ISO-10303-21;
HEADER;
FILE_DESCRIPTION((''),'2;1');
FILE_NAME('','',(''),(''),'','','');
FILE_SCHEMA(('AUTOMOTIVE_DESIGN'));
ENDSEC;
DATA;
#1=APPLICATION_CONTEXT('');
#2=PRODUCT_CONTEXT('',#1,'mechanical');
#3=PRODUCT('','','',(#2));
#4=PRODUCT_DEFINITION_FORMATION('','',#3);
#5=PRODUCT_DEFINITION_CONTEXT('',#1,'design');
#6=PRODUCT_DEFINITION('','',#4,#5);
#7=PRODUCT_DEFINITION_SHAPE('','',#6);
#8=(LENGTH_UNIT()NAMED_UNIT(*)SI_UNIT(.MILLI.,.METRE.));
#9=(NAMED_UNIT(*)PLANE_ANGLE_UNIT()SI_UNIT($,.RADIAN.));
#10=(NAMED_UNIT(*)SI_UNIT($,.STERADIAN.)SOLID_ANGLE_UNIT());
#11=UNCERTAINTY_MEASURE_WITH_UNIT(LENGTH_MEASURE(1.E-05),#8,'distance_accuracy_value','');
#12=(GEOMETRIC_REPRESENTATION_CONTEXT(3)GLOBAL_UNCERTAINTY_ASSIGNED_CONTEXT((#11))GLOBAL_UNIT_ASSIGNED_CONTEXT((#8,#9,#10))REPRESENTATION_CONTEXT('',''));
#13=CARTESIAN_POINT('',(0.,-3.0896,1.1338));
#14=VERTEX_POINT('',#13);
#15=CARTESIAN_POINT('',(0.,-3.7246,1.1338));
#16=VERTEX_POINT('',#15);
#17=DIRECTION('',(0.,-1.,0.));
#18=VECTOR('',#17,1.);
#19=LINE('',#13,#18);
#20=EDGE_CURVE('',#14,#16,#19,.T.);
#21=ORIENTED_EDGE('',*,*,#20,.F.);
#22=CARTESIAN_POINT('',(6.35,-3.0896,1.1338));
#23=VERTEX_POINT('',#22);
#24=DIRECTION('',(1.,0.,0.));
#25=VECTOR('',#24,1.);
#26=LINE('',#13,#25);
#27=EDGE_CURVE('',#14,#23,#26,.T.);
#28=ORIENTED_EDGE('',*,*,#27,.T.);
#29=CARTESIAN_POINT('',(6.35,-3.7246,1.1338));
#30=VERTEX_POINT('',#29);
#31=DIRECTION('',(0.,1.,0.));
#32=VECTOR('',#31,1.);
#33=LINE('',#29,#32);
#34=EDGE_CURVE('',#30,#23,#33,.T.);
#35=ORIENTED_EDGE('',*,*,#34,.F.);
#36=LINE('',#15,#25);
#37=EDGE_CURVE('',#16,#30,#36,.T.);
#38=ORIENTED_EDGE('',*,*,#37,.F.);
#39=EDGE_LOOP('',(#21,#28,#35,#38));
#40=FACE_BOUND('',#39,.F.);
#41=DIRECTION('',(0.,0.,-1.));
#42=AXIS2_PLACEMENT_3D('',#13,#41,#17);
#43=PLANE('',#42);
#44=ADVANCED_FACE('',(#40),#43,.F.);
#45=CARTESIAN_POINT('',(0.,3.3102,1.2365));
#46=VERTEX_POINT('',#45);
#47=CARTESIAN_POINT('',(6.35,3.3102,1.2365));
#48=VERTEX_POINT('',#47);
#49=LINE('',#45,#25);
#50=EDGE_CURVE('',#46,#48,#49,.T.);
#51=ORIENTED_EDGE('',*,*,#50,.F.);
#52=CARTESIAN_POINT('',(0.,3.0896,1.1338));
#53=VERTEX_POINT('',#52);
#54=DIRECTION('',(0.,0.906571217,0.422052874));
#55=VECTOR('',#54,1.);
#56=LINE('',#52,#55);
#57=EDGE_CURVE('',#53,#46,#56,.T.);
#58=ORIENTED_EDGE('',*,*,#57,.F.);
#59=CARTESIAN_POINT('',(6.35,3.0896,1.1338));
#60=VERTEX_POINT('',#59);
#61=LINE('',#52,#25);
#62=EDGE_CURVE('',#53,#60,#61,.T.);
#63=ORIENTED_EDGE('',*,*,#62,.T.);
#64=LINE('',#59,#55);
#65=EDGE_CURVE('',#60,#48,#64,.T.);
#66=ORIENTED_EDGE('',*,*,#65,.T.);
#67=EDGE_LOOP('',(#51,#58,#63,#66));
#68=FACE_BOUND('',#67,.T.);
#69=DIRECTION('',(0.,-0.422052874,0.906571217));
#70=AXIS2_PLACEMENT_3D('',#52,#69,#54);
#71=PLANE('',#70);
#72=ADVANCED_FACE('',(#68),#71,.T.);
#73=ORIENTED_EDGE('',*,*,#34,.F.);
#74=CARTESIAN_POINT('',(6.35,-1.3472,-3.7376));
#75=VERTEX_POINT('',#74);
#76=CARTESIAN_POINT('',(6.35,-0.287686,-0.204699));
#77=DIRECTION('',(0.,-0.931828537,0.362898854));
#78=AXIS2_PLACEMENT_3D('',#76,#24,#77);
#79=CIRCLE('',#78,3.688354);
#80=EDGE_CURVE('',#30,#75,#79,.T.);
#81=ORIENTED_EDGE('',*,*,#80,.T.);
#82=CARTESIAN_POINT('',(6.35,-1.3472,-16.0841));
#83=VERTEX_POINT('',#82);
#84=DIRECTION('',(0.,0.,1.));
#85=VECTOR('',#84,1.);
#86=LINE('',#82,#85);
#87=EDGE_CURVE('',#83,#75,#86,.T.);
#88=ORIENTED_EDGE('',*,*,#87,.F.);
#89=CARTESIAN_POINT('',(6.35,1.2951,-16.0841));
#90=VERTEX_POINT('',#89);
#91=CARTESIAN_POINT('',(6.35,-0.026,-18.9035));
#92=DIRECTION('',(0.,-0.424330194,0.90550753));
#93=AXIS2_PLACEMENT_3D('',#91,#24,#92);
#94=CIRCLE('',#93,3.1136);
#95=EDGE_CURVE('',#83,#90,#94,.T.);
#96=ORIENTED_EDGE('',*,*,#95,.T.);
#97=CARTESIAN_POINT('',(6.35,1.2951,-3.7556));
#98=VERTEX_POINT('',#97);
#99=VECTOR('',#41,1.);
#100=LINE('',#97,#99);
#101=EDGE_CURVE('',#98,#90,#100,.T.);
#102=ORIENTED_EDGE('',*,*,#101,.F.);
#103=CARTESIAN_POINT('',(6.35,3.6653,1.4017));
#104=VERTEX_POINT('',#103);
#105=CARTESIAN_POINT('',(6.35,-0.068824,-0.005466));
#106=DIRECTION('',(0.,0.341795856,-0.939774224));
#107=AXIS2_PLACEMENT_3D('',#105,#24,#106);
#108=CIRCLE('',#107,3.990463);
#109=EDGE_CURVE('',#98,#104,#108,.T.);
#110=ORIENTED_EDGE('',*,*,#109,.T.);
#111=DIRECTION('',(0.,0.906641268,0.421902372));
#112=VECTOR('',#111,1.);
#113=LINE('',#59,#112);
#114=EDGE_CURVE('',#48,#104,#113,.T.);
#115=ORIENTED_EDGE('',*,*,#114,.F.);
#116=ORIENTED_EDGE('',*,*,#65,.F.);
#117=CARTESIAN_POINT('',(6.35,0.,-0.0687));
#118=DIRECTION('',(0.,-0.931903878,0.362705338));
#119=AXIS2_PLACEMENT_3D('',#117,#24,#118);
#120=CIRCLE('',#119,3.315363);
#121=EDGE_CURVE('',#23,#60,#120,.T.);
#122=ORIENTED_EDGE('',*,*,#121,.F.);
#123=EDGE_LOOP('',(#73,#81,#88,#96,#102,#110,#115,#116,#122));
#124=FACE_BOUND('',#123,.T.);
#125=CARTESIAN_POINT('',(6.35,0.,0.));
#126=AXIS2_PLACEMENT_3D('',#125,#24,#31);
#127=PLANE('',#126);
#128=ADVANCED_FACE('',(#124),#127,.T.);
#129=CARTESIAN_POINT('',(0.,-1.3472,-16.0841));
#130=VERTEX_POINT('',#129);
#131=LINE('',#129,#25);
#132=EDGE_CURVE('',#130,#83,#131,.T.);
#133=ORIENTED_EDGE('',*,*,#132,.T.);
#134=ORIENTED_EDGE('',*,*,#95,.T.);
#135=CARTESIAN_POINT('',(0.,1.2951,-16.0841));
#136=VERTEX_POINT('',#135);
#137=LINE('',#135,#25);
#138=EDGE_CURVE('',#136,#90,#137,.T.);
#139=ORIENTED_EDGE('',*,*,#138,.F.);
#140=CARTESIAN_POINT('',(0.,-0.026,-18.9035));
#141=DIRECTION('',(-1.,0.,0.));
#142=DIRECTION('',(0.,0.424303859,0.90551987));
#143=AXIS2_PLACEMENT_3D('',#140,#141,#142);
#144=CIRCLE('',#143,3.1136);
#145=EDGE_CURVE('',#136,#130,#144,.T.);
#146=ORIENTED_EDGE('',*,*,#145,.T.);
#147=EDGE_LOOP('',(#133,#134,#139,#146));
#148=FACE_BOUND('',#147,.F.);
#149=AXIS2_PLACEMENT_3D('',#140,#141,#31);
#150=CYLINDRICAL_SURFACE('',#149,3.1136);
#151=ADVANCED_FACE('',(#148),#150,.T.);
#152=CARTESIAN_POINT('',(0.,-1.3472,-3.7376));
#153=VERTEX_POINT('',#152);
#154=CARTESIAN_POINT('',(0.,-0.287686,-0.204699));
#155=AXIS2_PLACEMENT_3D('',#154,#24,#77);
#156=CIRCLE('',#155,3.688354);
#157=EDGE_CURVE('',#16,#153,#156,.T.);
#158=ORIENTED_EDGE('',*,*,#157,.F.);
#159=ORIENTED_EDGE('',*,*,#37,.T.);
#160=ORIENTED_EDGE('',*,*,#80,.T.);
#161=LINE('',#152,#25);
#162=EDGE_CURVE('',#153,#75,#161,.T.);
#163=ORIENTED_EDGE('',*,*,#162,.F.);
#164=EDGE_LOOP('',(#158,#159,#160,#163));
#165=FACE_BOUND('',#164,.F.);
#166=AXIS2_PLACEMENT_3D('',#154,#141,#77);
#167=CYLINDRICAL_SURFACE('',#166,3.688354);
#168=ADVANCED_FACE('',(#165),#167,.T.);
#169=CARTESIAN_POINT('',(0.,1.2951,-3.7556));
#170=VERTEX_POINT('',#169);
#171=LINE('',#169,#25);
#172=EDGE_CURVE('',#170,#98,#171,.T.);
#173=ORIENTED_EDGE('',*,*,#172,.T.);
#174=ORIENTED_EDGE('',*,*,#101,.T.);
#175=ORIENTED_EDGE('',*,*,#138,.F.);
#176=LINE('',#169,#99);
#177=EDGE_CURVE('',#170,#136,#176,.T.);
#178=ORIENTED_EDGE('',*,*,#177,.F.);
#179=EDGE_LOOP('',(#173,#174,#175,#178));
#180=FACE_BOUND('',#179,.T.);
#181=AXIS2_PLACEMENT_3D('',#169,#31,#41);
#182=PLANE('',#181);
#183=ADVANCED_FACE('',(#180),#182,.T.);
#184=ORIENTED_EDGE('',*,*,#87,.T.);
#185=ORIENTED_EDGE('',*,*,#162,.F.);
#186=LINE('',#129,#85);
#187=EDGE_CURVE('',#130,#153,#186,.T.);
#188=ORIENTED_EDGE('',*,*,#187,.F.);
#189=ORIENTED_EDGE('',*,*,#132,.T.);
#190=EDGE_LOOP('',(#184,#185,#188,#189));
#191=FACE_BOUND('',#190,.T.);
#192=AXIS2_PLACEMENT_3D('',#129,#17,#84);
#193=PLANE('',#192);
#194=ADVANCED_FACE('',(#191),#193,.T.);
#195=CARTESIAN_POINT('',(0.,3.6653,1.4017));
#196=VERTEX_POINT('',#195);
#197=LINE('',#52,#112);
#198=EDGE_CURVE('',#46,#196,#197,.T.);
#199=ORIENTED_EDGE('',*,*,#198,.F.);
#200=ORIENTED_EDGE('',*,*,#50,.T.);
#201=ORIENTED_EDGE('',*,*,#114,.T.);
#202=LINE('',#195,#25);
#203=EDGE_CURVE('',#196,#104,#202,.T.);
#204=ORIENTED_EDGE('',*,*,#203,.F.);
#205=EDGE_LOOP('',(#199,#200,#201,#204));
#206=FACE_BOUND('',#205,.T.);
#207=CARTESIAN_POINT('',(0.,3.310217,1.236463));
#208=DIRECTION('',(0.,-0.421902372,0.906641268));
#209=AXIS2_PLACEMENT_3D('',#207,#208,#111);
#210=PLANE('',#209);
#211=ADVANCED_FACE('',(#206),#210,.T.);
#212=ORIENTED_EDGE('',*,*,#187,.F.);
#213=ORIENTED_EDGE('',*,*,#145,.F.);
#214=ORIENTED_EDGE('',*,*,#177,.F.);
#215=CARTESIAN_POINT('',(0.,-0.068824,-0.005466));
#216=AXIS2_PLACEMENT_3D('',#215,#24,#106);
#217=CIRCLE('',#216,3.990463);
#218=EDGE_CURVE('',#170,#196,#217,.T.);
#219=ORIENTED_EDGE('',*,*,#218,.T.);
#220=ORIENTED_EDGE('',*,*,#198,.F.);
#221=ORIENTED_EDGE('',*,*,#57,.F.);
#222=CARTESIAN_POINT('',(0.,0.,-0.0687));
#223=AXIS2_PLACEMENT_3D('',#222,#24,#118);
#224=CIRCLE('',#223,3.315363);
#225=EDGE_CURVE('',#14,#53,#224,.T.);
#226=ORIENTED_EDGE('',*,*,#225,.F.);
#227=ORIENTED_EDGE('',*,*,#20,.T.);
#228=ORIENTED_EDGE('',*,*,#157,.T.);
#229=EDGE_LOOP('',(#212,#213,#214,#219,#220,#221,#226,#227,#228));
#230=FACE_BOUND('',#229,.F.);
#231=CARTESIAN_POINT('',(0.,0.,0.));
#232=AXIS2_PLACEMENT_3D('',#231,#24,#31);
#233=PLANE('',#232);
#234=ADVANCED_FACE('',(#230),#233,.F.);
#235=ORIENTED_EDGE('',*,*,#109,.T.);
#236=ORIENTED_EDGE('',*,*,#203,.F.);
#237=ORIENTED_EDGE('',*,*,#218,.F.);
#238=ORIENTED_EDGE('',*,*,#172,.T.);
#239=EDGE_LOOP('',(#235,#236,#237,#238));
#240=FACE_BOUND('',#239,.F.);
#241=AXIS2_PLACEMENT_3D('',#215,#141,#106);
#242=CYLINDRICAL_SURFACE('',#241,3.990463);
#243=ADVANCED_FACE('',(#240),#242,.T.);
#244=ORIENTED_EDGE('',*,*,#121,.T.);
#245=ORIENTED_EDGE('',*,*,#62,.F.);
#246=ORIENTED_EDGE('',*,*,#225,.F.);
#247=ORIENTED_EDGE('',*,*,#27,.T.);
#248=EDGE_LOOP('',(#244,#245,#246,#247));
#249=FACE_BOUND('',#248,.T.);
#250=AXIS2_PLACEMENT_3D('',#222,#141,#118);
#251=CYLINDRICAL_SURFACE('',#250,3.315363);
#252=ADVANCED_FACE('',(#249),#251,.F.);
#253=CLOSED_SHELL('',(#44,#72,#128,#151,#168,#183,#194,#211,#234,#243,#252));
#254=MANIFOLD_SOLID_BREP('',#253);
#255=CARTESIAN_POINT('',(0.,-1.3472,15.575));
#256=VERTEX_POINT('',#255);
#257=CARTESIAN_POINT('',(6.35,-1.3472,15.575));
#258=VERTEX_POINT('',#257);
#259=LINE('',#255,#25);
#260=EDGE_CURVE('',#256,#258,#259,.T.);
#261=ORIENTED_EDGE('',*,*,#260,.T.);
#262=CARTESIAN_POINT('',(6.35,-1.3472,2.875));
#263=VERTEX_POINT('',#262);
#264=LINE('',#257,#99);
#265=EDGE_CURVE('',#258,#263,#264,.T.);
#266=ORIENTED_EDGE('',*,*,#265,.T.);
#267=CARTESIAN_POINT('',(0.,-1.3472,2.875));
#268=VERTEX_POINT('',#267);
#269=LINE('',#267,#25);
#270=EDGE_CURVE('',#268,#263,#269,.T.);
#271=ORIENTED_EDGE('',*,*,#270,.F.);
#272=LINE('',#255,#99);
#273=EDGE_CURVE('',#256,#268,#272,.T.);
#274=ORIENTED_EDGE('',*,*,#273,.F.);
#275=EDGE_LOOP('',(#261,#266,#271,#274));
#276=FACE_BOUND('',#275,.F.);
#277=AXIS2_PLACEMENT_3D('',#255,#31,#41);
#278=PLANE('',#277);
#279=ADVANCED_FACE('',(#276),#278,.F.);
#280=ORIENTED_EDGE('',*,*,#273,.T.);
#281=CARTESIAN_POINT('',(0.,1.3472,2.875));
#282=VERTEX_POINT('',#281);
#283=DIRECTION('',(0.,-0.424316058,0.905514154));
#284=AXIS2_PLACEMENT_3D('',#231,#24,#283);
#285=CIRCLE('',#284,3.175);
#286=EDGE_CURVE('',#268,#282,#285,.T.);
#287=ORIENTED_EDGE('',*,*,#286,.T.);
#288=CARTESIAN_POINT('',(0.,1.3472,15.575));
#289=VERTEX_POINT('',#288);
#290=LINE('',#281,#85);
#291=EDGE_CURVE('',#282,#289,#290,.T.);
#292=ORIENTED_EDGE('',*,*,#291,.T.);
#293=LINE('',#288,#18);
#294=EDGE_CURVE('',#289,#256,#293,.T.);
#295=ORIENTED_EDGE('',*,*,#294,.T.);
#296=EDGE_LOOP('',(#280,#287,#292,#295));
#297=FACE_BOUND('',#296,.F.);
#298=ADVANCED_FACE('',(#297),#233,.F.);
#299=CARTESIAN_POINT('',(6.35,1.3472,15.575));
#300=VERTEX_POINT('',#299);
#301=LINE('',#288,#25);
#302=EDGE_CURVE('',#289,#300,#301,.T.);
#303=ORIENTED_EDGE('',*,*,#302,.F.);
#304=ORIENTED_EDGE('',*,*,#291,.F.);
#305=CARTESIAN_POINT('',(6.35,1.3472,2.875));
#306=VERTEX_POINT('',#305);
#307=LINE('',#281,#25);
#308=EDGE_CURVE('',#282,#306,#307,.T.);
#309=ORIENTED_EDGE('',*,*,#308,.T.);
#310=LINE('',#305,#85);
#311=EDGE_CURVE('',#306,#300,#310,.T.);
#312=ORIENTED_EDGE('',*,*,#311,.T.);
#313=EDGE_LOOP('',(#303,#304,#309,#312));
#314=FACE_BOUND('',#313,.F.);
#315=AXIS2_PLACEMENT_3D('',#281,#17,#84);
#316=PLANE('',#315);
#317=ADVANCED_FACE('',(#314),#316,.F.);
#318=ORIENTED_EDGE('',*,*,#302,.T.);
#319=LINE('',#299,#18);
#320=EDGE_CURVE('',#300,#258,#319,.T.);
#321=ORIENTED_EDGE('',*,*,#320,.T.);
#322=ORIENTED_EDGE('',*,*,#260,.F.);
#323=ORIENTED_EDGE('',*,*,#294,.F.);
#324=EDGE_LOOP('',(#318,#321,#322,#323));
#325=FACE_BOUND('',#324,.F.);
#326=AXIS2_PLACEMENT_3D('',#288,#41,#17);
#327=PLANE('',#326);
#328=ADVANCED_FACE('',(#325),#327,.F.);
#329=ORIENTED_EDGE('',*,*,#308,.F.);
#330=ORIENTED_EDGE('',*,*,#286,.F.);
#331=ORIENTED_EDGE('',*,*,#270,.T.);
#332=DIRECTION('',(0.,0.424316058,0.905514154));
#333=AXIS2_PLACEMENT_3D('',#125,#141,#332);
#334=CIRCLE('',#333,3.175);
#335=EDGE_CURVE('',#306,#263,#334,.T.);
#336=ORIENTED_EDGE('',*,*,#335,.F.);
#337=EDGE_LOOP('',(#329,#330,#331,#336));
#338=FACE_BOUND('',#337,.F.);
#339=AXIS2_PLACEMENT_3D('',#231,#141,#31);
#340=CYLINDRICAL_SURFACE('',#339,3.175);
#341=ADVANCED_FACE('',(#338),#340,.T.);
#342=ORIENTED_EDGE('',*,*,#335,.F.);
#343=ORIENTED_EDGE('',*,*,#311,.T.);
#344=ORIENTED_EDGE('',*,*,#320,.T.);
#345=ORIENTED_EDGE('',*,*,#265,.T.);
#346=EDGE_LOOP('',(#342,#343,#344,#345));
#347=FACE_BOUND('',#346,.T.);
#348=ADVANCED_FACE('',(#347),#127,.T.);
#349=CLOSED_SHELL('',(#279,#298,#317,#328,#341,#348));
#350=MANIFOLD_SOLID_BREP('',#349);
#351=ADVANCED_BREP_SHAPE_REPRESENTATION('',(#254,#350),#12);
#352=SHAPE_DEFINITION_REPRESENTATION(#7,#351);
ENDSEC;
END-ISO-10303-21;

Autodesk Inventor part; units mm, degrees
ref_plane "YZ Plane" through (0, 0, 0) normal (1, 0, 0) x (0, 1, 0)
ref_plane "XZ Plane" through (0, 0, 0) normal (0, 1, 0) x (-1, 0, 0)
ref_plane "XY Plane" through (0, 0, 0) normal (0, 0, 1) x (1, 0, 0)
sketch "Sketch1" plane through (0, 0, 0) normal (1, 0, 0) x (0, 1, 0)
  circle A0 centre (0, 0) radius 3.175
  line L0 (1.3472, 2.875) -> (1.3472, 15.575)
  line L1 (1.3472, 15.575) -> (-1.3472, 15.575)
  line L2 (-1.3472, 15.575) -> (-1.3472, 2.875)
  arc A1 (1.3472, 2.875) -> (-1.3472, 2.875) centre (0, 0) ccw
  arc A2 (-3.0896, 1.1338) -> (3.0896, 1.1338) centre (0, -0.0687) ccw
  line L3 (-3.0896, 1.1338) -> (-3.3549, 1.1338)
  line L4 (3.0896, 1.1338) -> (3.3102, 1.2365)
  circle A3 centre (-0.026, -18.9035) radius 3.1136
  arc A4 (1.2951, -16.0841) -> (-1.3472, -16.0841) centre (-0.026, -18.9035) ccw
  line L5 (3.0896, 1.1338) -> (3.6653, 1.4017)
  line L6 (-3.0896, 1.1338) -> (-3.7246, 1.1338)
  arc A5 (-3.7246, 1.1338) -> (-1.3472, -3.7376) centre (-0.2877, -0.2047) ccw
  arc A6 (1.2951, -3.7556) -> (3.6653, 1.4017) centre (-0.0687, -0.0056) ccw
  line L7 (1.2951, -3.7556) -> (1.2951, -16.0841)
  line L8 (-1.3472, -16.0841) -> (-1.3472, -3.7376)
  dimension "d0" = 6.35
  dimension "d4" = 12.7
  dimension "d12" = 0.635
  dimension "d13" = 0.635
extrude "Extrusion2" add sketch "Sketch1" along normal blind 6.35
properties part number "turtlearmJoints"
